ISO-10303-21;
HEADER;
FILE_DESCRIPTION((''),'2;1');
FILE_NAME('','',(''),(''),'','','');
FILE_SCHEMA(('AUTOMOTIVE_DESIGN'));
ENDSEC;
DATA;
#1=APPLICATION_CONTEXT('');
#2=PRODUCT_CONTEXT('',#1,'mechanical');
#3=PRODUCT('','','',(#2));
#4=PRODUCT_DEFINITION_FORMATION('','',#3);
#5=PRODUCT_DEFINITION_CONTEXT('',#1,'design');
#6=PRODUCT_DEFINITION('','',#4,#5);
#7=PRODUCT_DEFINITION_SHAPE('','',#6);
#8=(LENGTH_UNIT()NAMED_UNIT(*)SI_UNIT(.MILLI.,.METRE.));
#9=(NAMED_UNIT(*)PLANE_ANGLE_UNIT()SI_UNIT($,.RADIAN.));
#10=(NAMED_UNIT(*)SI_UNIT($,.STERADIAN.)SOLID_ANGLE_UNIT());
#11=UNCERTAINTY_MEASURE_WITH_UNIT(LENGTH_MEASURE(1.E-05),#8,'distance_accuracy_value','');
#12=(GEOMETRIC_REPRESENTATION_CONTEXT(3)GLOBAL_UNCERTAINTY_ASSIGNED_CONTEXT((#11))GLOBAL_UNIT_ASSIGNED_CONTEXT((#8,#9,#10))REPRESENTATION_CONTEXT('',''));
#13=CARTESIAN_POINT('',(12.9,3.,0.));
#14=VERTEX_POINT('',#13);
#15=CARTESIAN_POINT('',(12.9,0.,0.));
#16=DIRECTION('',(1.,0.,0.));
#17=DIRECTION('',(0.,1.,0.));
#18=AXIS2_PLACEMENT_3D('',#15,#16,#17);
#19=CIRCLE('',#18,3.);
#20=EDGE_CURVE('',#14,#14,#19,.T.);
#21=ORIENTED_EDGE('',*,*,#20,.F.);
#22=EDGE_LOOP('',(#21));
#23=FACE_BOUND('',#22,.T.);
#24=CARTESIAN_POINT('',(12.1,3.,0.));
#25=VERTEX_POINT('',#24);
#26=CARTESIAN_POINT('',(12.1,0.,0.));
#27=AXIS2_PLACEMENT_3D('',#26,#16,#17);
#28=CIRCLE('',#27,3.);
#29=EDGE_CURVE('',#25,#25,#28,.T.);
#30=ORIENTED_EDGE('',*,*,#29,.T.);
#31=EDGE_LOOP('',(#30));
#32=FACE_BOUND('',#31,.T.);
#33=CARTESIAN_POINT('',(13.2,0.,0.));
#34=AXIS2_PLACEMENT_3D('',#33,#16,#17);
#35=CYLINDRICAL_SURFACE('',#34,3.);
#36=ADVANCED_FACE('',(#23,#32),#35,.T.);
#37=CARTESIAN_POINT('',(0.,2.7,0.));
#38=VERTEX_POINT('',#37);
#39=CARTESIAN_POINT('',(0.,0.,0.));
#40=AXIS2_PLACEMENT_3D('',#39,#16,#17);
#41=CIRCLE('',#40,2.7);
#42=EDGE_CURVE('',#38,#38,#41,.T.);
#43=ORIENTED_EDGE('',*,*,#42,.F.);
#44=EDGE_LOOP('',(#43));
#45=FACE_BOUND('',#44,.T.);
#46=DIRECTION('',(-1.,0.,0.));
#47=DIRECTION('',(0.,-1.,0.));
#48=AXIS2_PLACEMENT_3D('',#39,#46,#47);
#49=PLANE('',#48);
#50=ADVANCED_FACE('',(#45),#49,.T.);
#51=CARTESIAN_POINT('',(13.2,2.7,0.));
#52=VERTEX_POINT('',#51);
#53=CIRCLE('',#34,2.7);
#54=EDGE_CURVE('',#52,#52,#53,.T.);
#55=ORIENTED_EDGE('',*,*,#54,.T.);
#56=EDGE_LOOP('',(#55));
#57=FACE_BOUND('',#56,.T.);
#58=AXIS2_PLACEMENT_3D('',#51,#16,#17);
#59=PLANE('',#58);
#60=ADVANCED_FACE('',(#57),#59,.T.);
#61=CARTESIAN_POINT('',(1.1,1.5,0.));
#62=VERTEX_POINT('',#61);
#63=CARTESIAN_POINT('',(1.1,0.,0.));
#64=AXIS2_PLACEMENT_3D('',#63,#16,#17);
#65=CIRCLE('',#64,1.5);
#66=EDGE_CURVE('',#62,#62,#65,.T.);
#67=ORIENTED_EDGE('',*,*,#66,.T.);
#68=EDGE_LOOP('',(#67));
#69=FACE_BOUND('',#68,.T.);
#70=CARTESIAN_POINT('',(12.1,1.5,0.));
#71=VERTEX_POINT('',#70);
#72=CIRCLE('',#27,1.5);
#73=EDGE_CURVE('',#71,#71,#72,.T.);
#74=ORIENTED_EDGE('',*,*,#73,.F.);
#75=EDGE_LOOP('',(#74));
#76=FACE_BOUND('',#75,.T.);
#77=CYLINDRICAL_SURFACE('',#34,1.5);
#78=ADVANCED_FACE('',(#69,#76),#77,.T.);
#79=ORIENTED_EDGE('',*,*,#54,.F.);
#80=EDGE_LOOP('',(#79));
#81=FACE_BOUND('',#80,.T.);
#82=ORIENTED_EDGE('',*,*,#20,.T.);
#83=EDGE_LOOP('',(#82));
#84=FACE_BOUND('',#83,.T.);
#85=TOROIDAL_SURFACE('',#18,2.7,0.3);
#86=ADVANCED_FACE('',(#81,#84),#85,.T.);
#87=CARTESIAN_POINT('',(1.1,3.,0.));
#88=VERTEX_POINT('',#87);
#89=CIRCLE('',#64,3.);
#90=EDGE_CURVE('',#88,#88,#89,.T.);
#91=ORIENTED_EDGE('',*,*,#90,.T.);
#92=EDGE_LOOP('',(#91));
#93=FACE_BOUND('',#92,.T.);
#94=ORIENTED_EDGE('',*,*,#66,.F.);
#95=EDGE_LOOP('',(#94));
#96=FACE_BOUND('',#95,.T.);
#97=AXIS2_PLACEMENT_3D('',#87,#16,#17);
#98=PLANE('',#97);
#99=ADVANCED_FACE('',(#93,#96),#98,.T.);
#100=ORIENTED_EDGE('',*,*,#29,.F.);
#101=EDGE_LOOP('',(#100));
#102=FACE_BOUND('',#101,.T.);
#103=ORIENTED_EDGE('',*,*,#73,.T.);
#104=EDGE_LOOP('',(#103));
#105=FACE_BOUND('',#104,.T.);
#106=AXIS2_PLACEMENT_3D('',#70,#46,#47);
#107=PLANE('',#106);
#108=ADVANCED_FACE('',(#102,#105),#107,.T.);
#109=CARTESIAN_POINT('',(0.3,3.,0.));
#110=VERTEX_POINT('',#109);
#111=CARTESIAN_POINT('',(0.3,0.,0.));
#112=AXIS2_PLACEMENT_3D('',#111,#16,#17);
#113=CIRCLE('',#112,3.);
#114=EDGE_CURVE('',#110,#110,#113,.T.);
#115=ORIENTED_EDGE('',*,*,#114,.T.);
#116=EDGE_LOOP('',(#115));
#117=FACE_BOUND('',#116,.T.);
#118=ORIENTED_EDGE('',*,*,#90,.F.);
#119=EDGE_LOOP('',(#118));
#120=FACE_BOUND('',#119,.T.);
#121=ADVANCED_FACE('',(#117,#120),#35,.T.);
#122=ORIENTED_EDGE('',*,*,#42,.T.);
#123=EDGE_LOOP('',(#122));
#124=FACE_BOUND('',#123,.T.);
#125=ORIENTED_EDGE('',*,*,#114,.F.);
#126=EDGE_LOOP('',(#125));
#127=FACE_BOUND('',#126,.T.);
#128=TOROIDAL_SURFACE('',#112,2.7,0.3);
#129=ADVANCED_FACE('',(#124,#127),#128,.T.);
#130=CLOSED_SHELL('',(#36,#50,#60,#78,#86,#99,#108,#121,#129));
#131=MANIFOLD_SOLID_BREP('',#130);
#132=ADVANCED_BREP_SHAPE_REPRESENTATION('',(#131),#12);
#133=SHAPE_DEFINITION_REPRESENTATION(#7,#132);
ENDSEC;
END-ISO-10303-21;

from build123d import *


with BuildPart() as part:
    # 草图1 → 旋转1 (revolve)
    with BuildSketch(Plane.XY):
        with BuildLine():
            Line((0, 0), (0, 2.7))
            ThreePointArc((0, 2.7), (0.087867966, 2.912132034), (0.3, 3))
            Line((0.3, 3), (1.1, 3))
            Line((1.1, 3), (1.1, 1.5))
            Line((1.1, 1.5), (12.1, 1.5))
            Line((12.1, 1.5), (12.1, 3))
            Line((12.1, 3), (12.9, 3))
            ThreePointArc((12.9, 3), (13.112132034, 2.912132034), (13.2, 2.7))
            Line((13.2, 2.7), (13.2, 0))
            Line((13.2, 0), (0, 0))
        make_face()
    revolve(axis=Axis((13.2, 0, 0), (-1, 0, 0)))


solid = part.part
